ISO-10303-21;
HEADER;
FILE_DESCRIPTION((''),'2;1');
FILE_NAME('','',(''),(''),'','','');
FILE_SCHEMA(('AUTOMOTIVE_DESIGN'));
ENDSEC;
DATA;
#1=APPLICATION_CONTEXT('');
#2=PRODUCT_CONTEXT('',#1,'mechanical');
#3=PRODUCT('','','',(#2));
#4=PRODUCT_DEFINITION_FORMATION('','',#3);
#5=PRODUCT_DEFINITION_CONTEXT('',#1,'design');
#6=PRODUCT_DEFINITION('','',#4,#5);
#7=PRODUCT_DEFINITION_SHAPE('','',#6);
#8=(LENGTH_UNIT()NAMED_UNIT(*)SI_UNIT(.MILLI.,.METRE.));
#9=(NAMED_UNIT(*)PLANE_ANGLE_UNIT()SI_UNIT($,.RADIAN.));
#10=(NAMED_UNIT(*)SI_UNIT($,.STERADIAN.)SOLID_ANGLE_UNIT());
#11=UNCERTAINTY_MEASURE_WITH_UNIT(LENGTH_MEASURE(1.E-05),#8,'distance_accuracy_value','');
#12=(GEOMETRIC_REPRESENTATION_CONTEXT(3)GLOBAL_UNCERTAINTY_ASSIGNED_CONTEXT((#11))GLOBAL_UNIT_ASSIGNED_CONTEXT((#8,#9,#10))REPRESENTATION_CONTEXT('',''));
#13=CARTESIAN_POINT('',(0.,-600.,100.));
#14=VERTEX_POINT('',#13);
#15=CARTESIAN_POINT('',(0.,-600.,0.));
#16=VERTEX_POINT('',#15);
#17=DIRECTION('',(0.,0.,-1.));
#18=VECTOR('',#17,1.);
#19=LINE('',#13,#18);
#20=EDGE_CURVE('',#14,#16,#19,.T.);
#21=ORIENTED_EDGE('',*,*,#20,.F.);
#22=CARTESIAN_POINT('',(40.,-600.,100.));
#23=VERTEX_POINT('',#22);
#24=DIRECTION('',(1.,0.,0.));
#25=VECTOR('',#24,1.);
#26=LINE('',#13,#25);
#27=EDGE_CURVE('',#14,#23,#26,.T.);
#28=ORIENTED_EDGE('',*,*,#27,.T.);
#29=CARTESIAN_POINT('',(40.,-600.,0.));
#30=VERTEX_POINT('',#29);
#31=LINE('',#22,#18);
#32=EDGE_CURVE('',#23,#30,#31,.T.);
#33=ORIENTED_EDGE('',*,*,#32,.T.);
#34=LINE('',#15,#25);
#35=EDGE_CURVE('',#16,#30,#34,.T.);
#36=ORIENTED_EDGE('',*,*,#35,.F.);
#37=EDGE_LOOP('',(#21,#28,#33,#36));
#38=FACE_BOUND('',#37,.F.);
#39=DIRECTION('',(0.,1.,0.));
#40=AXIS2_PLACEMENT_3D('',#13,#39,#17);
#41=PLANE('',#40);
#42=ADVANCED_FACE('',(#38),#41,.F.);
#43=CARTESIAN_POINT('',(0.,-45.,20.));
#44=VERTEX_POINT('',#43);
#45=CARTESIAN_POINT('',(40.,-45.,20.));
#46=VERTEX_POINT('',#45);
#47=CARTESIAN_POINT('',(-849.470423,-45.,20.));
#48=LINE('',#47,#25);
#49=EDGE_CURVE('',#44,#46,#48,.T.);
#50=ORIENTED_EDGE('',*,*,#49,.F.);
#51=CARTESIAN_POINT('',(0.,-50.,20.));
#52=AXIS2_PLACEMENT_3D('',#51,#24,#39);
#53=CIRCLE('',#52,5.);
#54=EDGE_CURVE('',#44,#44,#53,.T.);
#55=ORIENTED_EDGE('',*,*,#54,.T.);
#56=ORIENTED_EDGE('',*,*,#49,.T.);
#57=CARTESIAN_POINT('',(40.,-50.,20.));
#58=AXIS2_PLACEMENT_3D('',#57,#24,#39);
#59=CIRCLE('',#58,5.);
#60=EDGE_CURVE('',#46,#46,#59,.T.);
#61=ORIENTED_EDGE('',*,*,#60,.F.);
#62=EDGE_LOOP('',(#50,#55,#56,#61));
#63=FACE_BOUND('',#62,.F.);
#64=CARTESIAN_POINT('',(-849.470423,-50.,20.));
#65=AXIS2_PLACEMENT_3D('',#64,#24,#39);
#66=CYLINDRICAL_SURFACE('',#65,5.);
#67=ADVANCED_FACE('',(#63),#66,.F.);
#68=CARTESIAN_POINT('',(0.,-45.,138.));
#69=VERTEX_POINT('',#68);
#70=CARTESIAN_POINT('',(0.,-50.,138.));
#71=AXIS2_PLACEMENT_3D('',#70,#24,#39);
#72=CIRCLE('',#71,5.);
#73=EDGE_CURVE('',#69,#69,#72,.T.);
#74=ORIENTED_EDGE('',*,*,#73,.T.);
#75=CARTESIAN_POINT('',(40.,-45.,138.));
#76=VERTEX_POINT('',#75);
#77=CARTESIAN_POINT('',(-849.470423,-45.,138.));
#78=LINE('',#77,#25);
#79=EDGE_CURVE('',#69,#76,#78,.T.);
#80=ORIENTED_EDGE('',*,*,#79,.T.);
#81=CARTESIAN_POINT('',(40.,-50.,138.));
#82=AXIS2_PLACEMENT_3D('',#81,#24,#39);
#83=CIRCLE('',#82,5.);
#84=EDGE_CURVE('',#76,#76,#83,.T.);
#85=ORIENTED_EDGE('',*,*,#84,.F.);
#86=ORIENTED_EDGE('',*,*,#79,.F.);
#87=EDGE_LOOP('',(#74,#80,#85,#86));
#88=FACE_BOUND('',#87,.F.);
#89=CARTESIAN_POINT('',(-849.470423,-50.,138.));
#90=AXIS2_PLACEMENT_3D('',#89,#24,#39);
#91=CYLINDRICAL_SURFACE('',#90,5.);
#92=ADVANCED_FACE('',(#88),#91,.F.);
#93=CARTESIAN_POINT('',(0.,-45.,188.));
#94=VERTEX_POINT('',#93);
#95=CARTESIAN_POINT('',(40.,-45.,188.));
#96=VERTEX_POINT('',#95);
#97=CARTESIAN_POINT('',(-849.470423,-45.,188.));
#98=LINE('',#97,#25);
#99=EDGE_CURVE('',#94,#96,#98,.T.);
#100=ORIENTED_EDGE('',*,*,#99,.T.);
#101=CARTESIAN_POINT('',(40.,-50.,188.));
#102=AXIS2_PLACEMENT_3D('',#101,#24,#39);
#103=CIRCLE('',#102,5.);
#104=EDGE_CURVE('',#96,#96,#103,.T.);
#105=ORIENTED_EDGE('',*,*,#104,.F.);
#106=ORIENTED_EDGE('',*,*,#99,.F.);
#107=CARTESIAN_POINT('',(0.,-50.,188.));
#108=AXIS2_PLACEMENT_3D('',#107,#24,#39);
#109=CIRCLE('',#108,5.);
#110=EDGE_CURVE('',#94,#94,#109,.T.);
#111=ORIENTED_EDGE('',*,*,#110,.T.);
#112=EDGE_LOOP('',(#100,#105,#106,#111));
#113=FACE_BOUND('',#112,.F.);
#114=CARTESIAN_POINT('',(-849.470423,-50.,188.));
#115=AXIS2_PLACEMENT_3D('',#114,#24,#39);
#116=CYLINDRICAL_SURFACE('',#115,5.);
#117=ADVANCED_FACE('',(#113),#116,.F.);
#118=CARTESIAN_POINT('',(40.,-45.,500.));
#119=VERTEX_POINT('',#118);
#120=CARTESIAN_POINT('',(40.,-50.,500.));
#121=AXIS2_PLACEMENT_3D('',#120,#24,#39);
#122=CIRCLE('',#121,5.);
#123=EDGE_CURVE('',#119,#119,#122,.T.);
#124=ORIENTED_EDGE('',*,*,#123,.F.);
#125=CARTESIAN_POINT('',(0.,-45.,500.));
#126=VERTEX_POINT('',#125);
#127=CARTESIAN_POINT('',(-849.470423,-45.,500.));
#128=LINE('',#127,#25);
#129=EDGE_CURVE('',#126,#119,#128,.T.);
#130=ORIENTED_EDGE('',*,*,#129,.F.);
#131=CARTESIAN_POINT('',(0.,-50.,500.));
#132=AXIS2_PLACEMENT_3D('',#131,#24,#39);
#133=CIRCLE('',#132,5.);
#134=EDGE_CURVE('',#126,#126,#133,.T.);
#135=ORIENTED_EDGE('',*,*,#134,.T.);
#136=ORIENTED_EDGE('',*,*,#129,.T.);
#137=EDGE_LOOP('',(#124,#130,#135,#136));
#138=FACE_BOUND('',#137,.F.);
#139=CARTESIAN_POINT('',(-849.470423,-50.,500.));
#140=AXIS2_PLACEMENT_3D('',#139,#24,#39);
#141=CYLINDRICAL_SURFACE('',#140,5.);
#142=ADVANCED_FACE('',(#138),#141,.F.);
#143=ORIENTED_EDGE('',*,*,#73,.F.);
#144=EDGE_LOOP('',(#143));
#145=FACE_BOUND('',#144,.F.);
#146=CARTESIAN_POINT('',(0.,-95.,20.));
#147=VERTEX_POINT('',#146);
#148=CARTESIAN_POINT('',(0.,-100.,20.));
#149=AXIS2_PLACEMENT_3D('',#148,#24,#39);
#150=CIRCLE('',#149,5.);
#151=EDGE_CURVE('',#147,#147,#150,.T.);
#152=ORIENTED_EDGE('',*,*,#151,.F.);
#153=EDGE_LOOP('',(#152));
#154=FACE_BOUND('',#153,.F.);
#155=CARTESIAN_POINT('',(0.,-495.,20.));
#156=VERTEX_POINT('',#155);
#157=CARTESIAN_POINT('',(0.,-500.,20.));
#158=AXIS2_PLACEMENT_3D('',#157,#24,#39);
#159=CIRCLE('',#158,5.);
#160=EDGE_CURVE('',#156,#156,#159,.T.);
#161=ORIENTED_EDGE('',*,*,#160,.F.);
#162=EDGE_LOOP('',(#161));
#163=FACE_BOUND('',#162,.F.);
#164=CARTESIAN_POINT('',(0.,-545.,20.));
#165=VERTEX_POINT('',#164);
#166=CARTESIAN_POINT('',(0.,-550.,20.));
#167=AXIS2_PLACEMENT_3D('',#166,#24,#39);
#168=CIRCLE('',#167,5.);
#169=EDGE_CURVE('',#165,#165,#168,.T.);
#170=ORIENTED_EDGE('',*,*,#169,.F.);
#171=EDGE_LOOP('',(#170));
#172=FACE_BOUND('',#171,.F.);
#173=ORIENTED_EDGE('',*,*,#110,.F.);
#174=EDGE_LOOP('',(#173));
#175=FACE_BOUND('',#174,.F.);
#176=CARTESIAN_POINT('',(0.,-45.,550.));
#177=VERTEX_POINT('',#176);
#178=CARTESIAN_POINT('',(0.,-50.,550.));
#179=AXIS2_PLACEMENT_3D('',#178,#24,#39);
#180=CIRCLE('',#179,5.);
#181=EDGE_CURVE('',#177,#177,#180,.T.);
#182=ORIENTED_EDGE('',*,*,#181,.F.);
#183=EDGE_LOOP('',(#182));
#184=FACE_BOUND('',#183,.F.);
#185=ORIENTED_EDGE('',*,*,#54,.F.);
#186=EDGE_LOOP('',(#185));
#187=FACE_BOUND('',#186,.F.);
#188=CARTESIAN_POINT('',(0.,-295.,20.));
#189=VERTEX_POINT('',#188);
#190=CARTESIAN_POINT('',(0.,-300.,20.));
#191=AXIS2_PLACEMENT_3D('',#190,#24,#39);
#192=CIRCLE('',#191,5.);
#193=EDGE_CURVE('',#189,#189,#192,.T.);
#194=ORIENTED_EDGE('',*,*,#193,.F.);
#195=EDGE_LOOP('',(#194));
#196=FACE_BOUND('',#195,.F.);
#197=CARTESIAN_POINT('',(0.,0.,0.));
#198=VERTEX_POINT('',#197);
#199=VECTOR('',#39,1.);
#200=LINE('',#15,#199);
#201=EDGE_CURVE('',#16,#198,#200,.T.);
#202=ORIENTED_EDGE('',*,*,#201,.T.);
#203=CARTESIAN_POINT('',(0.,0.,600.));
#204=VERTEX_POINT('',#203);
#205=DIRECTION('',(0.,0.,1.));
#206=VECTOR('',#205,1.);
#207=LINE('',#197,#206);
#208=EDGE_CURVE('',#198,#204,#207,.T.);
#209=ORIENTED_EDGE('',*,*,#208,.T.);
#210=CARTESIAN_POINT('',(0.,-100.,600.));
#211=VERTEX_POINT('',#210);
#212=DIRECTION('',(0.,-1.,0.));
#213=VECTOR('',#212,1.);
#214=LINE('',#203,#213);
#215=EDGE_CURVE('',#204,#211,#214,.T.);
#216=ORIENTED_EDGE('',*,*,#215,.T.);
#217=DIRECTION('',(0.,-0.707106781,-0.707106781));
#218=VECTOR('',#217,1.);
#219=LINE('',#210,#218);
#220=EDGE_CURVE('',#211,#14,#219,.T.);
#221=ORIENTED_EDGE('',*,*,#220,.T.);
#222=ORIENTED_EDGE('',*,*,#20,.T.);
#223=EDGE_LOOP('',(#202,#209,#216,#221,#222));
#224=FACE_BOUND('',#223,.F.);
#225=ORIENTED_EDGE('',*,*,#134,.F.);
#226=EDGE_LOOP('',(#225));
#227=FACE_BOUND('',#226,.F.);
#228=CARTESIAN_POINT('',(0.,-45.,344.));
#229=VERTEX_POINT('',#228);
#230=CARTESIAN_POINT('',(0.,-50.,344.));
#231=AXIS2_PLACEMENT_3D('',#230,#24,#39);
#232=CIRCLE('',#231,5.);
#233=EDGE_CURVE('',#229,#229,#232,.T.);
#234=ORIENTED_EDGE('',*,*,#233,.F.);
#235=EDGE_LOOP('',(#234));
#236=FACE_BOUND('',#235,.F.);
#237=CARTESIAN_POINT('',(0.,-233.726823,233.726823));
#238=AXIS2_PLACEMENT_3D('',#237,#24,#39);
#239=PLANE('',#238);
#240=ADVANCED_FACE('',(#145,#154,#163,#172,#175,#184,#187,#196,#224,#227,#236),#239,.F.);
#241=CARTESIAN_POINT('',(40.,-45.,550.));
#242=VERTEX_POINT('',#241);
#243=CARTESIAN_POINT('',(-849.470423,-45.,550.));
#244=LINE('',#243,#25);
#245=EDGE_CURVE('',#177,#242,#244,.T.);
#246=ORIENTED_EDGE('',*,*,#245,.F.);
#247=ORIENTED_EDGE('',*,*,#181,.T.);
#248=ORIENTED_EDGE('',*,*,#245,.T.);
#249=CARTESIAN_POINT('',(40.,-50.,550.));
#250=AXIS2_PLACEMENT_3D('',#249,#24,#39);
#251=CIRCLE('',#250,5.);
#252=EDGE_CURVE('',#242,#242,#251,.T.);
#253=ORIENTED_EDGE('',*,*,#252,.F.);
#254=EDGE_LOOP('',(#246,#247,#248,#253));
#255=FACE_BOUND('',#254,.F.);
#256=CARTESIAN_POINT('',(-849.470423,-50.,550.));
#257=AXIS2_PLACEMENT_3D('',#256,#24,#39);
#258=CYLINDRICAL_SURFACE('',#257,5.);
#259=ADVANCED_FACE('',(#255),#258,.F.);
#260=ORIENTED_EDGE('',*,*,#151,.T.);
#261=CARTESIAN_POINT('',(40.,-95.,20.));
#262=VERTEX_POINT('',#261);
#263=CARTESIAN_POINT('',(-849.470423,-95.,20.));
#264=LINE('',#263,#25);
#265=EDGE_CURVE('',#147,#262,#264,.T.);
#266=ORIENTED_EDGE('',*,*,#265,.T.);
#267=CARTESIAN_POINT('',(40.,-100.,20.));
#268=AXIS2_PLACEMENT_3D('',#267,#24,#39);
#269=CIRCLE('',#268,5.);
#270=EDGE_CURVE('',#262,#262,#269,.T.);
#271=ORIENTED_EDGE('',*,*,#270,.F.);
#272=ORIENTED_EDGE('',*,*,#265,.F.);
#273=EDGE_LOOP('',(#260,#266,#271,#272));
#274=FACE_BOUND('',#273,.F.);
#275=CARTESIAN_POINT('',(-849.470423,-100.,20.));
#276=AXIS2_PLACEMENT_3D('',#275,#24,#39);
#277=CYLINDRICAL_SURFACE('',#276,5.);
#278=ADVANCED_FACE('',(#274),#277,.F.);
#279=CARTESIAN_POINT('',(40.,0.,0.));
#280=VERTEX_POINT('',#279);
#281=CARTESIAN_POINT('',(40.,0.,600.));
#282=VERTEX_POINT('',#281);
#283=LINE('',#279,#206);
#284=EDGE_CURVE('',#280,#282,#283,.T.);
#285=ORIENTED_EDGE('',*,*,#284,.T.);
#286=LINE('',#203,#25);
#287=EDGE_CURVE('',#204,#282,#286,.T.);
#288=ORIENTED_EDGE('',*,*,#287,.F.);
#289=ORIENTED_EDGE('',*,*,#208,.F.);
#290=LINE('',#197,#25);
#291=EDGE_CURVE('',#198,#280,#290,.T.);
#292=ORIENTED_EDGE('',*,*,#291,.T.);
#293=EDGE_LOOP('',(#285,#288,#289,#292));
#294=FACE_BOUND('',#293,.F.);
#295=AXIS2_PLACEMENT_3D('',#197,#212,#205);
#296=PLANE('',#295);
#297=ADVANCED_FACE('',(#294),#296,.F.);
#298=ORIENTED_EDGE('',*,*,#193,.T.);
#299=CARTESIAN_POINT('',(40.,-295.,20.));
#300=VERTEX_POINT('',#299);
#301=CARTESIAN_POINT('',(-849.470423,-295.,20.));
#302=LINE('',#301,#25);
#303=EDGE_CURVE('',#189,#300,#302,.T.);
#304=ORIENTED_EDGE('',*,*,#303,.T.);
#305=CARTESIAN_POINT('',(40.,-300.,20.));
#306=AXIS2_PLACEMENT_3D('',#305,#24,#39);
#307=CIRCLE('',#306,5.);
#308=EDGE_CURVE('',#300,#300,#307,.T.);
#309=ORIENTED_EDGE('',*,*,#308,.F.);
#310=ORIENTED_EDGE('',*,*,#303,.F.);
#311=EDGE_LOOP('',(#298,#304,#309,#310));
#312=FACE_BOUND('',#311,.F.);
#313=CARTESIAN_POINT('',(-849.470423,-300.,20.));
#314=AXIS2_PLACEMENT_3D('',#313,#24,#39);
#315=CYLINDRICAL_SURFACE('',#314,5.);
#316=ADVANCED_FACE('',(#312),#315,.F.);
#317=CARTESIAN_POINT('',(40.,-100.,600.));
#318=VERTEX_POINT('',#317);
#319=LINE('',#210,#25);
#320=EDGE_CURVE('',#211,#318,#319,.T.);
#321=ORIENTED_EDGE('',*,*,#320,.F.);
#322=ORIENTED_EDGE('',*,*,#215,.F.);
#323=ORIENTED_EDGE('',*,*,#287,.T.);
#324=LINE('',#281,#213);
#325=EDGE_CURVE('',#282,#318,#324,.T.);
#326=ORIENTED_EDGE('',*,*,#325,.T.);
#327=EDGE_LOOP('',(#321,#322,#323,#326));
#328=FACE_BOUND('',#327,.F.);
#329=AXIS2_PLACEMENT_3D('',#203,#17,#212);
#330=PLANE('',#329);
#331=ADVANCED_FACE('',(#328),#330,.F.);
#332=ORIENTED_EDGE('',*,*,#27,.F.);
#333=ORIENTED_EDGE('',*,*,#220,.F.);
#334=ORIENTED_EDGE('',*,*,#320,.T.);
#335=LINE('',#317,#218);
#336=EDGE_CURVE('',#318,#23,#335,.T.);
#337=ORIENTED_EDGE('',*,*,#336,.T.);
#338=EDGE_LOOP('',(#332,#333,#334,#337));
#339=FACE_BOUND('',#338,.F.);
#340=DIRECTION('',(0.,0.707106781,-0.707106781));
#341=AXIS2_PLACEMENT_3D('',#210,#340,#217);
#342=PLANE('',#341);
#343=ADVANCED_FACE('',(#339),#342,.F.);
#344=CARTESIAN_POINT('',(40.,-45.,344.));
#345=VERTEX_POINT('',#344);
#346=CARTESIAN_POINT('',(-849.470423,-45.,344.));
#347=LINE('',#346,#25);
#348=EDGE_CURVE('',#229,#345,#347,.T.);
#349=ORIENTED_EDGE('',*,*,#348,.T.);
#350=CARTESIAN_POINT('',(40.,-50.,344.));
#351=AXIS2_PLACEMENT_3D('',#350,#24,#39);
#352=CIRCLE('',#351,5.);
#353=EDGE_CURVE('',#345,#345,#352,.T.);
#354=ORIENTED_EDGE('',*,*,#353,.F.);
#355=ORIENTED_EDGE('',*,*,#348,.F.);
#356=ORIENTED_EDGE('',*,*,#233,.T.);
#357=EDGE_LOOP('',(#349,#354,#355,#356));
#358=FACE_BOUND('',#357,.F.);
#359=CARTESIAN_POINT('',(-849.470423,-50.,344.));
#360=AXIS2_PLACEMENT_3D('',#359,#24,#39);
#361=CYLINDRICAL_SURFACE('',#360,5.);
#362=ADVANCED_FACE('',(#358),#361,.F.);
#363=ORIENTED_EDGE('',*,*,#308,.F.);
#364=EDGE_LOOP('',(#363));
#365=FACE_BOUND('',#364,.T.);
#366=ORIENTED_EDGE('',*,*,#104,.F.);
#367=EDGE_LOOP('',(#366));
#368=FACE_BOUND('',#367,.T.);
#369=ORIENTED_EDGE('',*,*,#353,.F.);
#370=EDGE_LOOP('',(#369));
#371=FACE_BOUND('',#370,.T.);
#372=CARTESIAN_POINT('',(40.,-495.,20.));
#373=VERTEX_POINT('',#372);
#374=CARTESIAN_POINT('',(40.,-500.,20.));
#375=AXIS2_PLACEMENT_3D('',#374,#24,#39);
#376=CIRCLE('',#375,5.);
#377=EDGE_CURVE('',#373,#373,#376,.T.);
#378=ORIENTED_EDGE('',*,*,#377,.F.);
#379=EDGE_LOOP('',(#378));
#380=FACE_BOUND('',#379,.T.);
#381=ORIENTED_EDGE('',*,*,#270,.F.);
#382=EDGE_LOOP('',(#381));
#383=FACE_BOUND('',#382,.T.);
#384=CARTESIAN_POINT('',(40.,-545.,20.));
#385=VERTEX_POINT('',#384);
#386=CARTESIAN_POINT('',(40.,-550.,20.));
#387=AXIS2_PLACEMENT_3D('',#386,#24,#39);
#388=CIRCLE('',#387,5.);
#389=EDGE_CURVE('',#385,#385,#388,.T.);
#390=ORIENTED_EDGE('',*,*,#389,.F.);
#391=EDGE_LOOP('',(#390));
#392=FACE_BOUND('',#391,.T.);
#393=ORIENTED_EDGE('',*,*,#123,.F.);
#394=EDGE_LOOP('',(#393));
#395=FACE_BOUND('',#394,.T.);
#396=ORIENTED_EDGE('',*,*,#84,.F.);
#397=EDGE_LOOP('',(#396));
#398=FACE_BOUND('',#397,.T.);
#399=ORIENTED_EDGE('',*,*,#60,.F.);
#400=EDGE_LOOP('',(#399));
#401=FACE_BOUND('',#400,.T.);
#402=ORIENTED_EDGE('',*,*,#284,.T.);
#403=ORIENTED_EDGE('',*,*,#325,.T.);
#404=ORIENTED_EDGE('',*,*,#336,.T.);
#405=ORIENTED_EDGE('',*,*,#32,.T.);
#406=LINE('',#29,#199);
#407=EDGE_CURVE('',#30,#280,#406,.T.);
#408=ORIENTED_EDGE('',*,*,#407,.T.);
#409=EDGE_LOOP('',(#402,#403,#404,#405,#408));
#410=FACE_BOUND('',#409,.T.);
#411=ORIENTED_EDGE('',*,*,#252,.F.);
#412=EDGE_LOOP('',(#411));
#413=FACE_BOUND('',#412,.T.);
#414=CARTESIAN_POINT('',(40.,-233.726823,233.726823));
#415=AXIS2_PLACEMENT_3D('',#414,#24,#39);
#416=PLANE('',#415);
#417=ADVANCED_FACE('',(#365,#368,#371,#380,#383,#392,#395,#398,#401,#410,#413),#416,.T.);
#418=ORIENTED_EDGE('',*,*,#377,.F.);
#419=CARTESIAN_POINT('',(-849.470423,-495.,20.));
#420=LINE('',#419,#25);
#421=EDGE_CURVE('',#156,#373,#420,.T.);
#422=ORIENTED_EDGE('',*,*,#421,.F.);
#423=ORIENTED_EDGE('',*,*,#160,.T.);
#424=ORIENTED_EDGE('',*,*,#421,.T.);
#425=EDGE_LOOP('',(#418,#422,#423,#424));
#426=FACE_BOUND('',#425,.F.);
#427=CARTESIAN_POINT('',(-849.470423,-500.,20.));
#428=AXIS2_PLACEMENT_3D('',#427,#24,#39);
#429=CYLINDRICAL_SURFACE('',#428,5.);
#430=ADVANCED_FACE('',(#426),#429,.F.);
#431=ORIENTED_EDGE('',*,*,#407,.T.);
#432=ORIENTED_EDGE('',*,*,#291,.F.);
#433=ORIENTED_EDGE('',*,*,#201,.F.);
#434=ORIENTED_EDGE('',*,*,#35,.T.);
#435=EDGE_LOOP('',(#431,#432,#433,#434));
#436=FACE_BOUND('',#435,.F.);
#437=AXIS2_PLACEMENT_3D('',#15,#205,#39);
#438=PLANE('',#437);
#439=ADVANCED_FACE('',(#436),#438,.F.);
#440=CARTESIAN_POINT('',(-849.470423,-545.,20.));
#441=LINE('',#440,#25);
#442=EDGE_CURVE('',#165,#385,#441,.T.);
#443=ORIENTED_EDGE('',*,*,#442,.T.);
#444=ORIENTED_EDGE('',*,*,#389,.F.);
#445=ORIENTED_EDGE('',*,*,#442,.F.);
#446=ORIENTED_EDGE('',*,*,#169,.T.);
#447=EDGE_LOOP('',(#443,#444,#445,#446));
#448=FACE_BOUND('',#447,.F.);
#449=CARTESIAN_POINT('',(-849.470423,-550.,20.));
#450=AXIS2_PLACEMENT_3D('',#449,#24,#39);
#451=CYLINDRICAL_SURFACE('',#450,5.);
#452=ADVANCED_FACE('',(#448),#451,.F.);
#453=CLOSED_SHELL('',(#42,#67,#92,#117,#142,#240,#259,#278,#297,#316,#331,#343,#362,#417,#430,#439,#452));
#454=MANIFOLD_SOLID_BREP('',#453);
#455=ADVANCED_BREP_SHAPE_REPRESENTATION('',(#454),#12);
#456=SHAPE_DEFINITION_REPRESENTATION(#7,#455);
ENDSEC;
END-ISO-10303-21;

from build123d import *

# Parameters (mm, degrees)
F1_DEPTH = 40
F4_D     = 10


with BuildPart() as f1:
    # F0 (on Right) → F1 (new body)
    with BuildSketch(Plane.YZ):
        Polygon((-600, 0), (0, 0), (0, 600), (-100, 600), (-600, 100), align=None)
    extrude(amount=F1_DEPTH)

    # F4 (through all)
    with Locations(Plane(origin=(0, 0, 0), x_dir=(0, -1, 0), z_dir=(-1, 0, 0))):
        with Locations((50, 20), (100, 20), (300, 20), (500, 20), (550, 20), (50, 138), (50, 188), (50, 344), (50, 500), (50, 550)):
            Hole(F4_D / 2)


solid = f1.part
